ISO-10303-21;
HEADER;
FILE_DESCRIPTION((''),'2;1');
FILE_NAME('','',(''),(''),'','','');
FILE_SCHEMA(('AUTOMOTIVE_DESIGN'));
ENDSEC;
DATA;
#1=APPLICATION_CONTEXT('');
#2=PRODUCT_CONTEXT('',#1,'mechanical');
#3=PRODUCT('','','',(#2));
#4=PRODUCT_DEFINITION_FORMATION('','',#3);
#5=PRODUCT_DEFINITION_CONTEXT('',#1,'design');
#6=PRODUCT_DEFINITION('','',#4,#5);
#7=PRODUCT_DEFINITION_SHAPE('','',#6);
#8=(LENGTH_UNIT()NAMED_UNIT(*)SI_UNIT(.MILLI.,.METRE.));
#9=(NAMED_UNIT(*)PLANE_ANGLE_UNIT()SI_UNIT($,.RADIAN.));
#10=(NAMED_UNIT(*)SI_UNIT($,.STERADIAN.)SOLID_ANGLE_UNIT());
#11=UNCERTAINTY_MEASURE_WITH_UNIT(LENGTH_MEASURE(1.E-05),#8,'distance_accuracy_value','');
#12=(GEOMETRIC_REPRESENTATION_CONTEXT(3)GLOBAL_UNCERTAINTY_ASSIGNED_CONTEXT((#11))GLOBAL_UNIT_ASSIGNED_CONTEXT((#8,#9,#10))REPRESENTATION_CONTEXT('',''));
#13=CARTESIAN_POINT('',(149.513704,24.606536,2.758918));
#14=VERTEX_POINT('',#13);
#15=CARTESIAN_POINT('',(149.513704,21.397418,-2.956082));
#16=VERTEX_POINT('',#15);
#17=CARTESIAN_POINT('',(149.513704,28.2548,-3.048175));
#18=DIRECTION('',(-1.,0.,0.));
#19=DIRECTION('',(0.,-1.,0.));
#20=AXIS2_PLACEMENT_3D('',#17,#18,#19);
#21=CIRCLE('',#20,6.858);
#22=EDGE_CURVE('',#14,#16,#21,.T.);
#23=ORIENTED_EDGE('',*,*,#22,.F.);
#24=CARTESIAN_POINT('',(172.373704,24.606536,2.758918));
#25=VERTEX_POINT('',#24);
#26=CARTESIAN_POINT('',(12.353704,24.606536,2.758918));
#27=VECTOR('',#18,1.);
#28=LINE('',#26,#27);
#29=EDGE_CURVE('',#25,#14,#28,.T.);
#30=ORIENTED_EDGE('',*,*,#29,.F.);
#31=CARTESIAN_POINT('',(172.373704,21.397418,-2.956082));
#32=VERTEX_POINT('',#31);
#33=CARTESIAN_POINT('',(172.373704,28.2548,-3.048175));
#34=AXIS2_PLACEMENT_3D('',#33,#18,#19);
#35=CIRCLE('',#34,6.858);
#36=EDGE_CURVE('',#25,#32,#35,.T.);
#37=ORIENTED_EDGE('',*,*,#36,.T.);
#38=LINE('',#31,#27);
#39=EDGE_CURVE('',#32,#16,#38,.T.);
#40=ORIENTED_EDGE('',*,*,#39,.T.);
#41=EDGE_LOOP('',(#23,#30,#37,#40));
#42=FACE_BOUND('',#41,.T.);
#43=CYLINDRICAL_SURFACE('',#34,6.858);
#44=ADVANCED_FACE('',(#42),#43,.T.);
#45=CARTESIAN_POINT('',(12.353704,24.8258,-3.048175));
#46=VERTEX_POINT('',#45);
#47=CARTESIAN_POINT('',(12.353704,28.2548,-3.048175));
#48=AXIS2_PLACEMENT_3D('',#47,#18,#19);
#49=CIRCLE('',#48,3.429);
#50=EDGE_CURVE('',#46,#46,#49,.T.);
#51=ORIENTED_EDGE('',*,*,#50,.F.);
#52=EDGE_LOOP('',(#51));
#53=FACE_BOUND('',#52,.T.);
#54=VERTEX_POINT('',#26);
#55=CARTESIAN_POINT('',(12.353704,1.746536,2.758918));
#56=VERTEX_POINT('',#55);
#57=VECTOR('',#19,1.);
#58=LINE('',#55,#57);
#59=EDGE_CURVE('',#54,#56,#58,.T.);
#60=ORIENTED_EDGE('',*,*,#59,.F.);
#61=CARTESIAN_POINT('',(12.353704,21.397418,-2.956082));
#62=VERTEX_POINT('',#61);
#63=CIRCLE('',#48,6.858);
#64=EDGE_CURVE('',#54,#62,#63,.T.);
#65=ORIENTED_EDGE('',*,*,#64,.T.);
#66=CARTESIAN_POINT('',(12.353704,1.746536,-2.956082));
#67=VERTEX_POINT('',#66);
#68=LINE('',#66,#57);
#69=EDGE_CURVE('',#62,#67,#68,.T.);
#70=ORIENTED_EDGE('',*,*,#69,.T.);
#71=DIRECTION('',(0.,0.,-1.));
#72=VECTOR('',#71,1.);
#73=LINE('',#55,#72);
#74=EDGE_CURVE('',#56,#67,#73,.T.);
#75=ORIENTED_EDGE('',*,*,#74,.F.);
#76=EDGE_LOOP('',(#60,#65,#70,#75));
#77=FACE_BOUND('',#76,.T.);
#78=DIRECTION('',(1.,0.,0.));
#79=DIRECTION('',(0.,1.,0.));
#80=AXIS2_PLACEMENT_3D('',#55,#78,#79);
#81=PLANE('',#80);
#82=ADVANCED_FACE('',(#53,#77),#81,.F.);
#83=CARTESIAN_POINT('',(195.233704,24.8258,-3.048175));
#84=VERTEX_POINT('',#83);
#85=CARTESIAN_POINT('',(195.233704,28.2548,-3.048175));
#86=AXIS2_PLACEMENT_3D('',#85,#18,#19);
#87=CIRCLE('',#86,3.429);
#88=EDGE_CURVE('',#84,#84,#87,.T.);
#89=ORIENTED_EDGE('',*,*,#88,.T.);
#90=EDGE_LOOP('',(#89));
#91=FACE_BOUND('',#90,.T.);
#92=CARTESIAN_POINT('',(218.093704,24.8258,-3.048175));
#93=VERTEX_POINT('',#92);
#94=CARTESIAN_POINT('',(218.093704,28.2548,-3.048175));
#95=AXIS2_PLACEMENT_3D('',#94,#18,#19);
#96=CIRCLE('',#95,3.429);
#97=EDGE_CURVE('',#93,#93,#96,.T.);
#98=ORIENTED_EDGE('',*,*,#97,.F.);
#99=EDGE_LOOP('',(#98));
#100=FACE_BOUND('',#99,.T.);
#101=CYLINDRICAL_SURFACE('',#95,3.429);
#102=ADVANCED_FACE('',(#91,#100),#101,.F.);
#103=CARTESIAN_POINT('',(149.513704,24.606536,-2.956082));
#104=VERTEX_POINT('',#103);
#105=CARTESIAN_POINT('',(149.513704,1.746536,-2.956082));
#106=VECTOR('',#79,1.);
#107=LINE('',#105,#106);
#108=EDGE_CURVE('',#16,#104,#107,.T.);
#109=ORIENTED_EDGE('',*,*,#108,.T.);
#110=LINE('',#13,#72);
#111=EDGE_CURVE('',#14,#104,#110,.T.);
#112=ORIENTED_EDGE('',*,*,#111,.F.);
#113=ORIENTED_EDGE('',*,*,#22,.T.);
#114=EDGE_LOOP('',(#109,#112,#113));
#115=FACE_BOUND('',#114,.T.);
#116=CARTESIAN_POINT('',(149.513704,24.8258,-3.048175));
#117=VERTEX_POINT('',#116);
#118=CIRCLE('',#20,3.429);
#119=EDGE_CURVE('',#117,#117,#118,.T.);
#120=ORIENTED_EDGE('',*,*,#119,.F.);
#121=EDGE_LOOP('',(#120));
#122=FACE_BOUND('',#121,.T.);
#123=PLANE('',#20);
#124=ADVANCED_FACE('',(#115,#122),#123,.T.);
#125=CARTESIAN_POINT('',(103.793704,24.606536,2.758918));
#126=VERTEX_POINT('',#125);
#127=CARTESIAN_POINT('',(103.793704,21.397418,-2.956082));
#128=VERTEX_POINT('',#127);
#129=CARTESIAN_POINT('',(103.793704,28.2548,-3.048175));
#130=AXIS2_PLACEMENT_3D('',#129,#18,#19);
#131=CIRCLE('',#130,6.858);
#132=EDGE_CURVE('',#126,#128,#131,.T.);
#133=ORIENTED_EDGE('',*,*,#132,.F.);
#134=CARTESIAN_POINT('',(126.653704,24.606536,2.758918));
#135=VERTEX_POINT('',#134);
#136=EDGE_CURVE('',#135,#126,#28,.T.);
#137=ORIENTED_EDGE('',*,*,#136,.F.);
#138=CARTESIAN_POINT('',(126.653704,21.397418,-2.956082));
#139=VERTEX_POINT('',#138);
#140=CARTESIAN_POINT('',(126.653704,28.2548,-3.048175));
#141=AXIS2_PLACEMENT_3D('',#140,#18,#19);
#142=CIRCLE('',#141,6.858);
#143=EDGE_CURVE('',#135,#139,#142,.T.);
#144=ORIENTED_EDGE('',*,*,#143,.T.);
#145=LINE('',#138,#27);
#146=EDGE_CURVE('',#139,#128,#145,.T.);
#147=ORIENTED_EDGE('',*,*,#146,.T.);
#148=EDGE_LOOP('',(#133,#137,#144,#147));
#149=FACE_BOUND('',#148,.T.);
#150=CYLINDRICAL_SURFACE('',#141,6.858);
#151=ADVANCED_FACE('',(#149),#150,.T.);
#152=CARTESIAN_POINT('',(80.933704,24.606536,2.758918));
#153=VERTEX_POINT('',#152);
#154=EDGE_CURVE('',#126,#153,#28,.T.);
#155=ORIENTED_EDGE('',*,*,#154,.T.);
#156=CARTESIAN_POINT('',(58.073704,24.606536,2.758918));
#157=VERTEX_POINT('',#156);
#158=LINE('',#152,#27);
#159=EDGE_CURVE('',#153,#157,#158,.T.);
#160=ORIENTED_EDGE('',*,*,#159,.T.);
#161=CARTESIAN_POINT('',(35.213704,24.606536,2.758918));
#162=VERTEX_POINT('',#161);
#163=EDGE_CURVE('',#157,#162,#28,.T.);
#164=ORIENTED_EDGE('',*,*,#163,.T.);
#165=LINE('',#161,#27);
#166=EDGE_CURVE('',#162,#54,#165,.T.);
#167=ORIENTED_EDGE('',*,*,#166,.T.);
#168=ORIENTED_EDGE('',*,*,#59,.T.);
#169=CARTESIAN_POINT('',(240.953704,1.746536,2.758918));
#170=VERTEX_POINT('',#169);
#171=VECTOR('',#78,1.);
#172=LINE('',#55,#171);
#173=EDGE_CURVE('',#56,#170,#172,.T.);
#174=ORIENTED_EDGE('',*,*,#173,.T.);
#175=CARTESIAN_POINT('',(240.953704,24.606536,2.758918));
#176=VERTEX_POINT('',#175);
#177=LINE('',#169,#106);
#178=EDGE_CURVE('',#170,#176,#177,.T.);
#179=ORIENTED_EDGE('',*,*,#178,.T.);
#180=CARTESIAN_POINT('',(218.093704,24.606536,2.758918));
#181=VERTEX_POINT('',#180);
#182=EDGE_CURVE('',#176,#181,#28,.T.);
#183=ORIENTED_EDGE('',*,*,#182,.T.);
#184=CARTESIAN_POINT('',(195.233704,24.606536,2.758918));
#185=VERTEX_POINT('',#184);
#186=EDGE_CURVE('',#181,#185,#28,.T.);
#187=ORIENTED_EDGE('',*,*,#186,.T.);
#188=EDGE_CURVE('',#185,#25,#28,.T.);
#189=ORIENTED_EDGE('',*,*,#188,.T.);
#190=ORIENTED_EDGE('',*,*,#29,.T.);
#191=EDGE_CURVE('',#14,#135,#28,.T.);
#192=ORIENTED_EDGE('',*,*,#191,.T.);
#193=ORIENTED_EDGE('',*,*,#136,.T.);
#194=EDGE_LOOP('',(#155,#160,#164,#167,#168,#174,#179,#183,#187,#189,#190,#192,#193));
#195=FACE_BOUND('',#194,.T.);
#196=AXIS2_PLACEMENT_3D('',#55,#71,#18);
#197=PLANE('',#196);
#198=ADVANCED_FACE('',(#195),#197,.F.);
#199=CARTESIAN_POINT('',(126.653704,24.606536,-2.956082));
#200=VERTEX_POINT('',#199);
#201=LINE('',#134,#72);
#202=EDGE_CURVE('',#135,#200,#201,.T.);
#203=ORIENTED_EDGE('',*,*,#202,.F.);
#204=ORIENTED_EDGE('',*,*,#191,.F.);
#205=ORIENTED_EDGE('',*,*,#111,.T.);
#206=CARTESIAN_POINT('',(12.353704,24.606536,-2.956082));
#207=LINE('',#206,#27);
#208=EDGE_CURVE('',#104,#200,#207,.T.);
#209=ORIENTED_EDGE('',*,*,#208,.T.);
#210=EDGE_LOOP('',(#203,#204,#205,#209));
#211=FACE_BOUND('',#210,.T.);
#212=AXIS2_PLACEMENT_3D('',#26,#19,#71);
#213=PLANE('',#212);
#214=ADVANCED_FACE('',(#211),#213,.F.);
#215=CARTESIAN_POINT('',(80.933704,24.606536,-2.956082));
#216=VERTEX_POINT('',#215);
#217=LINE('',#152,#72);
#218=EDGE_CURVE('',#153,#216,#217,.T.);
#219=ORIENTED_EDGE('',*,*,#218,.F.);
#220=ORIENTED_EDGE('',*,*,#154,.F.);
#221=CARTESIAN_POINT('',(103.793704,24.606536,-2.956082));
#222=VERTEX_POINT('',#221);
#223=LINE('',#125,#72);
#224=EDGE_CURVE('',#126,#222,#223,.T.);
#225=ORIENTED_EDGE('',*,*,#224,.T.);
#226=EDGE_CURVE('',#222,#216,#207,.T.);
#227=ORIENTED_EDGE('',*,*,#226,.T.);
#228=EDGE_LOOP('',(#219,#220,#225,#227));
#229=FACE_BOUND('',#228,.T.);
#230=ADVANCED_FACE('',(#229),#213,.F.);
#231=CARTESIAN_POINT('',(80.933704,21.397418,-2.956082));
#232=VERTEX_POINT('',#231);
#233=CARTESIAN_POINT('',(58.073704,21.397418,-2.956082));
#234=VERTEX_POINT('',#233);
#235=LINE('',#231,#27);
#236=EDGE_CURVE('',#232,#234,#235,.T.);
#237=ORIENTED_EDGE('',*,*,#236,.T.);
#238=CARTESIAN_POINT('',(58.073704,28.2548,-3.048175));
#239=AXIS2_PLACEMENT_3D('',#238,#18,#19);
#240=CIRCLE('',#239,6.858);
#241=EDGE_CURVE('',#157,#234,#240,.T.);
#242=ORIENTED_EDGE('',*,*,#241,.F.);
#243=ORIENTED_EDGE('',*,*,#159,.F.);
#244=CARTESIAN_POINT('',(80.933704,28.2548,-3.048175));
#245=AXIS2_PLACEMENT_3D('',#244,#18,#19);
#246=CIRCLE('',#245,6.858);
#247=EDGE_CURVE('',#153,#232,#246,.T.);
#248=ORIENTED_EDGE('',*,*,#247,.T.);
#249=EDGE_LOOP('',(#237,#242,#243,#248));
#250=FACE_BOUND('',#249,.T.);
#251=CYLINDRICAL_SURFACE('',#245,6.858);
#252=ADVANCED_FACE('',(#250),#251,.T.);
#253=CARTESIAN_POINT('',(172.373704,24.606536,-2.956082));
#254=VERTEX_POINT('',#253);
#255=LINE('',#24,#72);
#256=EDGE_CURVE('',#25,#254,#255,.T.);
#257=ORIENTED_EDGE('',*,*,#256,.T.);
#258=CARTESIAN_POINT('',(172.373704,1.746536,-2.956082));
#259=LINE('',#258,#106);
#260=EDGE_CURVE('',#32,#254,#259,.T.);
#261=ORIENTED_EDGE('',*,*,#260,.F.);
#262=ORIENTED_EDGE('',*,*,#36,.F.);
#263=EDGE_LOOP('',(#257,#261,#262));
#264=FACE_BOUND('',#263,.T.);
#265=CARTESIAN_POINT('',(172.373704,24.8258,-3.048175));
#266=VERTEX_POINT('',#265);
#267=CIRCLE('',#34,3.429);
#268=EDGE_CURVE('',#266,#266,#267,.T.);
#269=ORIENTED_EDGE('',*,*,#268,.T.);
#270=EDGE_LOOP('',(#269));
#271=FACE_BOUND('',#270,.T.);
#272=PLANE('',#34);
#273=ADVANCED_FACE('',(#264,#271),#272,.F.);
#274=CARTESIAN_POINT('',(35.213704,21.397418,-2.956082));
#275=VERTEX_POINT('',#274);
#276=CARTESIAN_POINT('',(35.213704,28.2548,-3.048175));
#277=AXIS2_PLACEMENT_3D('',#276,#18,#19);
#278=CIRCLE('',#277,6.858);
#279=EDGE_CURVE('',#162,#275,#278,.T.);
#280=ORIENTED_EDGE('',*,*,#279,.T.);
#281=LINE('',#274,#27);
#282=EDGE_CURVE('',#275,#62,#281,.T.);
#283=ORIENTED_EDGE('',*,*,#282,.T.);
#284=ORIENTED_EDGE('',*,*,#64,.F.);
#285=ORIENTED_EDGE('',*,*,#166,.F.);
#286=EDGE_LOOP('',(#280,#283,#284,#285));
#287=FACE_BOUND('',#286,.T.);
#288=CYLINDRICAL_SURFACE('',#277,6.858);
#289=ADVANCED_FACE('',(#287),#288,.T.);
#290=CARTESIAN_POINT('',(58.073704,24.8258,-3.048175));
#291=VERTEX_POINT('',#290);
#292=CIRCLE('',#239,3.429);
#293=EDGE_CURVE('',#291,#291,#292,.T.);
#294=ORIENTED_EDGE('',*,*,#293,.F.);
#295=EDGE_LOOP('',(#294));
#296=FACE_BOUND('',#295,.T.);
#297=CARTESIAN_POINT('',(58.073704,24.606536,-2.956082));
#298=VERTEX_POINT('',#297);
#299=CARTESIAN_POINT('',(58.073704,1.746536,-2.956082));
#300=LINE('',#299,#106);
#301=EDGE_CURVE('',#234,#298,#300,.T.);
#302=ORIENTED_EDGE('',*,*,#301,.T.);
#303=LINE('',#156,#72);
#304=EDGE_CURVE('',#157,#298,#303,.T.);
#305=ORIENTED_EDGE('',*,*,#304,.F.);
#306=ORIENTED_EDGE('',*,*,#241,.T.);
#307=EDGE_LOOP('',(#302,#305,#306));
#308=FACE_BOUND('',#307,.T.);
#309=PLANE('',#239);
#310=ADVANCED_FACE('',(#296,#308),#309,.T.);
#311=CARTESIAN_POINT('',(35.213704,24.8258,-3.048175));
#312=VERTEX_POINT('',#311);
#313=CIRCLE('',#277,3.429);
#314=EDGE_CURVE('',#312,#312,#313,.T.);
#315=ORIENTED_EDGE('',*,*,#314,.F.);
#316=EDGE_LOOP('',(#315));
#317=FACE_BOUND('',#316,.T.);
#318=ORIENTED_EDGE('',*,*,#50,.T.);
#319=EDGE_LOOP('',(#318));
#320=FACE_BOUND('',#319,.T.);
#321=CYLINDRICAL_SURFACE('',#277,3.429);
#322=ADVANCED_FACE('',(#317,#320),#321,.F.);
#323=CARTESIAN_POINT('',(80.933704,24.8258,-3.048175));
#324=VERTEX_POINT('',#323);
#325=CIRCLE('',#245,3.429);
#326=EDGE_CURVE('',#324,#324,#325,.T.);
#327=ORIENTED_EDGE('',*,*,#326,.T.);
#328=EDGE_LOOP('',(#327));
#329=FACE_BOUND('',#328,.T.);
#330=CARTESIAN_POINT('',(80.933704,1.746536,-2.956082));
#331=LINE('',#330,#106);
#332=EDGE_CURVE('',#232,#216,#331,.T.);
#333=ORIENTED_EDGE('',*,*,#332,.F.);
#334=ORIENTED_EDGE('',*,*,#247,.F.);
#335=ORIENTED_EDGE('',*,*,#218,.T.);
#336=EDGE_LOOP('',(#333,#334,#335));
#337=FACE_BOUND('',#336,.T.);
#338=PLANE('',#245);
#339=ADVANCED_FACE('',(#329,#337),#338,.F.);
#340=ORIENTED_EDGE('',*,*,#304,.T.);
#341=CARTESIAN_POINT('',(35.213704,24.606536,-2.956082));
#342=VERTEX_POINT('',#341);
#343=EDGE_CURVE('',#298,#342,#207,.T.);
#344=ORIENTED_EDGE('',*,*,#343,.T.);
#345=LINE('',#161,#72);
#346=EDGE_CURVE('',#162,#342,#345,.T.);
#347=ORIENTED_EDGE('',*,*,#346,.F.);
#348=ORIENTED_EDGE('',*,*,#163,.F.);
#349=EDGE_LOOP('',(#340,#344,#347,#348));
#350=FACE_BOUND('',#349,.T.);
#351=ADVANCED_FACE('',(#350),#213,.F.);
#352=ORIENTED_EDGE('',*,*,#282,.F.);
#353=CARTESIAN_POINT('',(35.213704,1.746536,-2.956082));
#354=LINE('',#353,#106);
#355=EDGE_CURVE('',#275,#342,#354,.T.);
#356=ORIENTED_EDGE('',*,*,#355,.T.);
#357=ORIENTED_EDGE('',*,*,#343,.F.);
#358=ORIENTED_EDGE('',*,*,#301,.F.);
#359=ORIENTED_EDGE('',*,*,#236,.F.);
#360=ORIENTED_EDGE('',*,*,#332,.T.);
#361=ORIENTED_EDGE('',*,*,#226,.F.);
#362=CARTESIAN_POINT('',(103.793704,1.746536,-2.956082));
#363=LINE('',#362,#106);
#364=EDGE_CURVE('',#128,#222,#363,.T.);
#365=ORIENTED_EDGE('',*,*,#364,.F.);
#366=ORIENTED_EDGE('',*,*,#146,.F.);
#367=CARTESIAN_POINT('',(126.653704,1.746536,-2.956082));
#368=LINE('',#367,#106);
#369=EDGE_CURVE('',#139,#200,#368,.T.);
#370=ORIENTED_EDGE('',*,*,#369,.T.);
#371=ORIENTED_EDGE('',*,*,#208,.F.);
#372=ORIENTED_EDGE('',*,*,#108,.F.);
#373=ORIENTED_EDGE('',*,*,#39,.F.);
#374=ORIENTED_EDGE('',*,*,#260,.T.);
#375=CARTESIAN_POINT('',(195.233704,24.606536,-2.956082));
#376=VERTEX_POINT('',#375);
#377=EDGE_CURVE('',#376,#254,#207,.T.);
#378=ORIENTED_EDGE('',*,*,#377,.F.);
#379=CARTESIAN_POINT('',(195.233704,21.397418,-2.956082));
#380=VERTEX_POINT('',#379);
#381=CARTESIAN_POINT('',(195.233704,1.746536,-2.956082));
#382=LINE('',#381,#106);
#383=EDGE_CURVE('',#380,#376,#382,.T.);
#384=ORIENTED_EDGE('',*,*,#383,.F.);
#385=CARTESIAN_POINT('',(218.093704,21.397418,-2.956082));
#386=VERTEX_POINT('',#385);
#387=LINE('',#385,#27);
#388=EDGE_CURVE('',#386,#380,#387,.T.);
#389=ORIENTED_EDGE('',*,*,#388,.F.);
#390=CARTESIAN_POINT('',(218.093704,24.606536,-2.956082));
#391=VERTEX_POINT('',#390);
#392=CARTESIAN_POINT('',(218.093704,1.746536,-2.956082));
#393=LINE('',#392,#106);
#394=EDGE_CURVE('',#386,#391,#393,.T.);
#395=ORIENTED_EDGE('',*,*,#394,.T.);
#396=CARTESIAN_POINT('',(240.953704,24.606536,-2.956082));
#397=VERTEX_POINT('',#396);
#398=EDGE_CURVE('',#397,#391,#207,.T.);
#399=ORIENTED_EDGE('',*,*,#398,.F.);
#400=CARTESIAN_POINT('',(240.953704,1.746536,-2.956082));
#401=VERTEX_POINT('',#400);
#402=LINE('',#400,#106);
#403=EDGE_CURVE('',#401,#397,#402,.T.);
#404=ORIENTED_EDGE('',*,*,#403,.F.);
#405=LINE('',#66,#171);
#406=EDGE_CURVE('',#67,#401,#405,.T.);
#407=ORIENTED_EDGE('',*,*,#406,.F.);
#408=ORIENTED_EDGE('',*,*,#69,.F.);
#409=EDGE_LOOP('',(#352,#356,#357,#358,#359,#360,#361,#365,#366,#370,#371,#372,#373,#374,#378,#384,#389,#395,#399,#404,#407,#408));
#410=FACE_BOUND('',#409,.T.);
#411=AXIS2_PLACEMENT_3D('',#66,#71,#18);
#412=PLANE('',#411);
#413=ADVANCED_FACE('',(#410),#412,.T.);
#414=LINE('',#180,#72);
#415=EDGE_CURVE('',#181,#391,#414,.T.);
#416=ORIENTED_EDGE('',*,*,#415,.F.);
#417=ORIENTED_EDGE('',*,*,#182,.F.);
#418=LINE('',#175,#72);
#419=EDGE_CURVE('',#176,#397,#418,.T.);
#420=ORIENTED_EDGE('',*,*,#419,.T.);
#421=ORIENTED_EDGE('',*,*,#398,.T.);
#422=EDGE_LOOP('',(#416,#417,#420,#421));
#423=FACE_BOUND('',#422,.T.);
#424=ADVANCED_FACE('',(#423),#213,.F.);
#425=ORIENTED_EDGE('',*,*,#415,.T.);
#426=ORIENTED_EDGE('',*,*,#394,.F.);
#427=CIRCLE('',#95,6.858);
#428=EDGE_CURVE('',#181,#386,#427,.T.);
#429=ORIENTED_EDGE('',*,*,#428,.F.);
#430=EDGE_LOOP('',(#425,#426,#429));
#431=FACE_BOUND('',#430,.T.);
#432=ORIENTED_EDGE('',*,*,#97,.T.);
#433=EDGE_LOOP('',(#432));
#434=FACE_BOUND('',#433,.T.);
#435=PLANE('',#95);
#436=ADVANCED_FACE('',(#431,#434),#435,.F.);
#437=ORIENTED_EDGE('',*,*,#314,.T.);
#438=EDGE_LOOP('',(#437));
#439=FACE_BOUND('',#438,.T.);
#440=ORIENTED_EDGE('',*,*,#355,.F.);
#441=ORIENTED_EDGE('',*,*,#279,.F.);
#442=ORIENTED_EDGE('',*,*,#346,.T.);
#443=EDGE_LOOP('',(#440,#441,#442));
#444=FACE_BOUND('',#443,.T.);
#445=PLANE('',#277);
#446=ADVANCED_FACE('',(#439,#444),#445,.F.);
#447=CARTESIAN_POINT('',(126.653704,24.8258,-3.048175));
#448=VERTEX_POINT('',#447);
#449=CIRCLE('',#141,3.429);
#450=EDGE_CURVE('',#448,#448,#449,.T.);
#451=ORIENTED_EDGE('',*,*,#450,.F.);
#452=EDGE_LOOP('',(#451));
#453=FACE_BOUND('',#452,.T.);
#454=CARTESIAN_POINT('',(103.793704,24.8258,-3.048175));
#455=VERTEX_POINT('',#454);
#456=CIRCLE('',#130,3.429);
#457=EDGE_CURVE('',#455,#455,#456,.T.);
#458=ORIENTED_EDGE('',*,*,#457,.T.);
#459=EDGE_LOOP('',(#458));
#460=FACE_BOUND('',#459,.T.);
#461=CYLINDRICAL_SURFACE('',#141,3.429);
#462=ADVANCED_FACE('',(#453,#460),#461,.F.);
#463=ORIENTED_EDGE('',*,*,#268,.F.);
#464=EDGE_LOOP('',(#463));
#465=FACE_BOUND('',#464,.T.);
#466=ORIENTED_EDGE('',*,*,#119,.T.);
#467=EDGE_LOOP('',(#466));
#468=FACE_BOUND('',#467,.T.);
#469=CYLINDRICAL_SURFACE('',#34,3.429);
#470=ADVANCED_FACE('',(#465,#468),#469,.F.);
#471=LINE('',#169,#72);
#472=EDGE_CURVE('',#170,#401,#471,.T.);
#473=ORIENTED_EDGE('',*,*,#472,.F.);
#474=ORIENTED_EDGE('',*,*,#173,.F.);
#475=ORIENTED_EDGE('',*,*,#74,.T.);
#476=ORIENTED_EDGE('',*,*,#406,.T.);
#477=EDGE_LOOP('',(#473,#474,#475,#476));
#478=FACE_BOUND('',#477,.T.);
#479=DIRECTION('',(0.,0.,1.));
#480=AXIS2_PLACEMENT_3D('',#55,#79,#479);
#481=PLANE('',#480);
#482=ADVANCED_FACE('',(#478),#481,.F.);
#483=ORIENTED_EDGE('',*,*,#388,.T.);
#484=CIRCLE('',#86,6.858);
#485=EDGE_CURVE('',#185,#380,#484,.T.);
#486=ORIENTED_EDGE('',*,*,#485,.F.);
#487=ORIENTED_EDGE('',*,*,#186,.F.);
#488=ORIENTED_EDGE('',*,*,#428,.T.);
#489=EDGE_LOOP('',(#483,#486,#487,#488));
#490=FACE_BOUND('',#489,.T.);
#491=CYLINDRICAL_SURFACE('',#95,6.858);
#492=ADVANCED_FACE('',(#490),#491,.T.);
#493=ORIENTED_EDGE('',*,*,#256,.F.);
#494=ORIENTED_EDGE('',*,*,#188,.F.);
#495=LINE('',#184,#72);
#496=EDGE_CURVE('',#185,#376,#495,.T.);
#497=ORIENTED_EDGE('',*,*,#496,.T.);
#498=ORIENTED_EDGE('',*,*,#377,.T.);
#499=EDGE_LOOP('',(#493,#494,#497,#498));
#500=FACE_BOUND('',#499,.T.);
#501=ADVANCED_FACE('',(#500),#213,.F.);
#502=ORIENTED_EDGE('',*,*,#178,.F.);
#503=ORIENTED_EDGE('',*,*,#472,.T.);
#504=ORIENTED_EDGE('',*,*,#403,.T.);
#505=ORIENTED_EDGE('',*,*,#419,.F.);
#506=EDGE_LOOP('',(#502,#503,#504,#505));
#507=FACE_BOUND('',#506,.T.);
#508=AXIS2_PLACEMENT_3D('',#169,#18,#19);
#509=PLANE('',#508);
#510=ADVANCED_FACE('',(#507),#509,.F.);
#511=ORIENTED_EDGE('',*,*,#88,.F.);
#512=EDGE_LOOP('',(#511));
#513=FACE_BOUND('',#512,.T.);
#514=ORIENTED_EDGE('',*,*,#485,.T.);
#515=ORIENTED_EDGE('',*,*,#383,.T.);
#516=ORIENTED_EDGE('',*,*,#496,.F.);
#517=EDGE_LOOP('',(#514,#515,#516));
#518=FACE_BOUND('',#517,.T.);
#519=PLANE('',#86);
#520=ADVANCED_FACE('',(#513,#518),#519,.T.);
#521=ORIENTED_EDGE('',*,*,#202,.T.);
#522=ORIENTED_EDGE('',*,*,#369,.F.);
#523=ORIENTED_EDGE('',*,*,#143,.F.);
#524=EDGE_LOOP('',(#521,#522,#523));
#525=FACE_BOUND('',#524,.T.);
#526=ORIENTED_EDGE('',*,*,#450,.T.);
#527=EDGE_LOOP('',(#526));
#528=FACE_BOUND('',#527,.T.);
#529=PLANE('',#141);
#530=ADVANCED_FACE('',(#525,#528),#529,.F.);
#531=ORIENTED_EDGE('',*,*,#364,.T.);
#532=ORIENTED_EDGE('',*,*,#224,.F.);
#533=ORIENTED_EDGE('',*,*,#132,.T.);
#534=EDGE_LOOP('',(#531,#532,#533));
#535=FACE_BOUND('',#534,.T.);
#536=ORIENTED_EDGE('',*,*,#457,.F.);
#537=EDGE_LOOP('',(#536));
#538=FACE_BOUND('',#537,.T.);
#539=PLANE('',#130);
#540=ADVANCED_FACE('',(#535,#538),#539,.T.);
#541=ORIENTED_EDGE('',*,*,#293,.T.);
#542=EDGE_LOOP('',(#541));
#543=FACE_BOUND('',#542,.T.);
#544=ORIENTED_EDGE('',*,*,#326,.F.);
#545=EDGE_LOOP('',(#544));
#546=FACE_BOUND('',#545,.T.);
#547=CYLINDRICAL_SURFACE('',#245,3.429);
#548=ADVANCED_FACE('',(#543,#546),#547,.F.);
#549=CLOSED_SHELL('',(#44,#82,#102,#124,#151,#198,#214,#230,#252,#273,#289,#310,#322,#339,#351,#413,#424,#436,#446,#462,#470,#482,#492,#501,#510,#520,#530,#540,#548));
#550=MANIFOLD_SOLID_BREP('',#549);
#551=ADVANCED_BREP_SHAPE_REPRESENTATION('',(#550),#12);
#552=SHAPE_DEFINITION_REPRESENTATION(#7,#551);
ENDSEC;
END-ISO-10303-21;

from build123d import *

# Parameters (mm, degrees)
SKETCH1_W           = 254
SKETCH1_H           = 25.4
BOSS_EXTRUDE1_DEPTH = 3.175
SKETCH2_R           = 7.62
SKETCH2_R_2         = 3.81
BOSS_EXTRUDE2_DEPTH = 25.4
LPATTERN1_COUNT     = 5
LPATTERN1_PITCH     = 50.8
SCALE1_SCALE        = 0.9


with BuildPart() as part:
    # Sketch1 → Boss-Extrude1 (new, symmetric)
    with BuildSketch(Plane.XY):
        with Locations((127, 12.7)):
            Rectangle(SKETCH1_W, SKETCH1_H)
    extrude(amount=BOSS_EXTRUDE1_DEPTH, both=True)

    # Sketch2 → Boss-Extrude2 (add)
    with BuildSketch(Plane.ZY):
        with Locations((-3.277326256, 29.453626264)):
            Circle(SKETCH2_R)
        with Locations(Location((-3.277326256, 29.453626264, 0), (0, 0, 270))):
            Circle(SKETCH2_R_2, mode=Mode.SUBTRACT)
    boss_extrude2 = extrude(amount=-BOSS_EXTRUDE2_DEPTH)

    # LPattern1: Boss-Extrude2 ×5
    with Locations(*[(i * LPATTERN1_PITCH, 0, 0) for i in range(1, LPATTERN1_COUNT)]):
        add(boss_extrude2)


with BuildPart() as part_1:
    # Scale1: scaled about (123.537042947, 17.465364595, -0.985815247)
    add(part.part.scale(SCALE1_SCALE).moved(Location((12.353704295, 1.746536459, -0.098581525))))


solid = part_1.part
